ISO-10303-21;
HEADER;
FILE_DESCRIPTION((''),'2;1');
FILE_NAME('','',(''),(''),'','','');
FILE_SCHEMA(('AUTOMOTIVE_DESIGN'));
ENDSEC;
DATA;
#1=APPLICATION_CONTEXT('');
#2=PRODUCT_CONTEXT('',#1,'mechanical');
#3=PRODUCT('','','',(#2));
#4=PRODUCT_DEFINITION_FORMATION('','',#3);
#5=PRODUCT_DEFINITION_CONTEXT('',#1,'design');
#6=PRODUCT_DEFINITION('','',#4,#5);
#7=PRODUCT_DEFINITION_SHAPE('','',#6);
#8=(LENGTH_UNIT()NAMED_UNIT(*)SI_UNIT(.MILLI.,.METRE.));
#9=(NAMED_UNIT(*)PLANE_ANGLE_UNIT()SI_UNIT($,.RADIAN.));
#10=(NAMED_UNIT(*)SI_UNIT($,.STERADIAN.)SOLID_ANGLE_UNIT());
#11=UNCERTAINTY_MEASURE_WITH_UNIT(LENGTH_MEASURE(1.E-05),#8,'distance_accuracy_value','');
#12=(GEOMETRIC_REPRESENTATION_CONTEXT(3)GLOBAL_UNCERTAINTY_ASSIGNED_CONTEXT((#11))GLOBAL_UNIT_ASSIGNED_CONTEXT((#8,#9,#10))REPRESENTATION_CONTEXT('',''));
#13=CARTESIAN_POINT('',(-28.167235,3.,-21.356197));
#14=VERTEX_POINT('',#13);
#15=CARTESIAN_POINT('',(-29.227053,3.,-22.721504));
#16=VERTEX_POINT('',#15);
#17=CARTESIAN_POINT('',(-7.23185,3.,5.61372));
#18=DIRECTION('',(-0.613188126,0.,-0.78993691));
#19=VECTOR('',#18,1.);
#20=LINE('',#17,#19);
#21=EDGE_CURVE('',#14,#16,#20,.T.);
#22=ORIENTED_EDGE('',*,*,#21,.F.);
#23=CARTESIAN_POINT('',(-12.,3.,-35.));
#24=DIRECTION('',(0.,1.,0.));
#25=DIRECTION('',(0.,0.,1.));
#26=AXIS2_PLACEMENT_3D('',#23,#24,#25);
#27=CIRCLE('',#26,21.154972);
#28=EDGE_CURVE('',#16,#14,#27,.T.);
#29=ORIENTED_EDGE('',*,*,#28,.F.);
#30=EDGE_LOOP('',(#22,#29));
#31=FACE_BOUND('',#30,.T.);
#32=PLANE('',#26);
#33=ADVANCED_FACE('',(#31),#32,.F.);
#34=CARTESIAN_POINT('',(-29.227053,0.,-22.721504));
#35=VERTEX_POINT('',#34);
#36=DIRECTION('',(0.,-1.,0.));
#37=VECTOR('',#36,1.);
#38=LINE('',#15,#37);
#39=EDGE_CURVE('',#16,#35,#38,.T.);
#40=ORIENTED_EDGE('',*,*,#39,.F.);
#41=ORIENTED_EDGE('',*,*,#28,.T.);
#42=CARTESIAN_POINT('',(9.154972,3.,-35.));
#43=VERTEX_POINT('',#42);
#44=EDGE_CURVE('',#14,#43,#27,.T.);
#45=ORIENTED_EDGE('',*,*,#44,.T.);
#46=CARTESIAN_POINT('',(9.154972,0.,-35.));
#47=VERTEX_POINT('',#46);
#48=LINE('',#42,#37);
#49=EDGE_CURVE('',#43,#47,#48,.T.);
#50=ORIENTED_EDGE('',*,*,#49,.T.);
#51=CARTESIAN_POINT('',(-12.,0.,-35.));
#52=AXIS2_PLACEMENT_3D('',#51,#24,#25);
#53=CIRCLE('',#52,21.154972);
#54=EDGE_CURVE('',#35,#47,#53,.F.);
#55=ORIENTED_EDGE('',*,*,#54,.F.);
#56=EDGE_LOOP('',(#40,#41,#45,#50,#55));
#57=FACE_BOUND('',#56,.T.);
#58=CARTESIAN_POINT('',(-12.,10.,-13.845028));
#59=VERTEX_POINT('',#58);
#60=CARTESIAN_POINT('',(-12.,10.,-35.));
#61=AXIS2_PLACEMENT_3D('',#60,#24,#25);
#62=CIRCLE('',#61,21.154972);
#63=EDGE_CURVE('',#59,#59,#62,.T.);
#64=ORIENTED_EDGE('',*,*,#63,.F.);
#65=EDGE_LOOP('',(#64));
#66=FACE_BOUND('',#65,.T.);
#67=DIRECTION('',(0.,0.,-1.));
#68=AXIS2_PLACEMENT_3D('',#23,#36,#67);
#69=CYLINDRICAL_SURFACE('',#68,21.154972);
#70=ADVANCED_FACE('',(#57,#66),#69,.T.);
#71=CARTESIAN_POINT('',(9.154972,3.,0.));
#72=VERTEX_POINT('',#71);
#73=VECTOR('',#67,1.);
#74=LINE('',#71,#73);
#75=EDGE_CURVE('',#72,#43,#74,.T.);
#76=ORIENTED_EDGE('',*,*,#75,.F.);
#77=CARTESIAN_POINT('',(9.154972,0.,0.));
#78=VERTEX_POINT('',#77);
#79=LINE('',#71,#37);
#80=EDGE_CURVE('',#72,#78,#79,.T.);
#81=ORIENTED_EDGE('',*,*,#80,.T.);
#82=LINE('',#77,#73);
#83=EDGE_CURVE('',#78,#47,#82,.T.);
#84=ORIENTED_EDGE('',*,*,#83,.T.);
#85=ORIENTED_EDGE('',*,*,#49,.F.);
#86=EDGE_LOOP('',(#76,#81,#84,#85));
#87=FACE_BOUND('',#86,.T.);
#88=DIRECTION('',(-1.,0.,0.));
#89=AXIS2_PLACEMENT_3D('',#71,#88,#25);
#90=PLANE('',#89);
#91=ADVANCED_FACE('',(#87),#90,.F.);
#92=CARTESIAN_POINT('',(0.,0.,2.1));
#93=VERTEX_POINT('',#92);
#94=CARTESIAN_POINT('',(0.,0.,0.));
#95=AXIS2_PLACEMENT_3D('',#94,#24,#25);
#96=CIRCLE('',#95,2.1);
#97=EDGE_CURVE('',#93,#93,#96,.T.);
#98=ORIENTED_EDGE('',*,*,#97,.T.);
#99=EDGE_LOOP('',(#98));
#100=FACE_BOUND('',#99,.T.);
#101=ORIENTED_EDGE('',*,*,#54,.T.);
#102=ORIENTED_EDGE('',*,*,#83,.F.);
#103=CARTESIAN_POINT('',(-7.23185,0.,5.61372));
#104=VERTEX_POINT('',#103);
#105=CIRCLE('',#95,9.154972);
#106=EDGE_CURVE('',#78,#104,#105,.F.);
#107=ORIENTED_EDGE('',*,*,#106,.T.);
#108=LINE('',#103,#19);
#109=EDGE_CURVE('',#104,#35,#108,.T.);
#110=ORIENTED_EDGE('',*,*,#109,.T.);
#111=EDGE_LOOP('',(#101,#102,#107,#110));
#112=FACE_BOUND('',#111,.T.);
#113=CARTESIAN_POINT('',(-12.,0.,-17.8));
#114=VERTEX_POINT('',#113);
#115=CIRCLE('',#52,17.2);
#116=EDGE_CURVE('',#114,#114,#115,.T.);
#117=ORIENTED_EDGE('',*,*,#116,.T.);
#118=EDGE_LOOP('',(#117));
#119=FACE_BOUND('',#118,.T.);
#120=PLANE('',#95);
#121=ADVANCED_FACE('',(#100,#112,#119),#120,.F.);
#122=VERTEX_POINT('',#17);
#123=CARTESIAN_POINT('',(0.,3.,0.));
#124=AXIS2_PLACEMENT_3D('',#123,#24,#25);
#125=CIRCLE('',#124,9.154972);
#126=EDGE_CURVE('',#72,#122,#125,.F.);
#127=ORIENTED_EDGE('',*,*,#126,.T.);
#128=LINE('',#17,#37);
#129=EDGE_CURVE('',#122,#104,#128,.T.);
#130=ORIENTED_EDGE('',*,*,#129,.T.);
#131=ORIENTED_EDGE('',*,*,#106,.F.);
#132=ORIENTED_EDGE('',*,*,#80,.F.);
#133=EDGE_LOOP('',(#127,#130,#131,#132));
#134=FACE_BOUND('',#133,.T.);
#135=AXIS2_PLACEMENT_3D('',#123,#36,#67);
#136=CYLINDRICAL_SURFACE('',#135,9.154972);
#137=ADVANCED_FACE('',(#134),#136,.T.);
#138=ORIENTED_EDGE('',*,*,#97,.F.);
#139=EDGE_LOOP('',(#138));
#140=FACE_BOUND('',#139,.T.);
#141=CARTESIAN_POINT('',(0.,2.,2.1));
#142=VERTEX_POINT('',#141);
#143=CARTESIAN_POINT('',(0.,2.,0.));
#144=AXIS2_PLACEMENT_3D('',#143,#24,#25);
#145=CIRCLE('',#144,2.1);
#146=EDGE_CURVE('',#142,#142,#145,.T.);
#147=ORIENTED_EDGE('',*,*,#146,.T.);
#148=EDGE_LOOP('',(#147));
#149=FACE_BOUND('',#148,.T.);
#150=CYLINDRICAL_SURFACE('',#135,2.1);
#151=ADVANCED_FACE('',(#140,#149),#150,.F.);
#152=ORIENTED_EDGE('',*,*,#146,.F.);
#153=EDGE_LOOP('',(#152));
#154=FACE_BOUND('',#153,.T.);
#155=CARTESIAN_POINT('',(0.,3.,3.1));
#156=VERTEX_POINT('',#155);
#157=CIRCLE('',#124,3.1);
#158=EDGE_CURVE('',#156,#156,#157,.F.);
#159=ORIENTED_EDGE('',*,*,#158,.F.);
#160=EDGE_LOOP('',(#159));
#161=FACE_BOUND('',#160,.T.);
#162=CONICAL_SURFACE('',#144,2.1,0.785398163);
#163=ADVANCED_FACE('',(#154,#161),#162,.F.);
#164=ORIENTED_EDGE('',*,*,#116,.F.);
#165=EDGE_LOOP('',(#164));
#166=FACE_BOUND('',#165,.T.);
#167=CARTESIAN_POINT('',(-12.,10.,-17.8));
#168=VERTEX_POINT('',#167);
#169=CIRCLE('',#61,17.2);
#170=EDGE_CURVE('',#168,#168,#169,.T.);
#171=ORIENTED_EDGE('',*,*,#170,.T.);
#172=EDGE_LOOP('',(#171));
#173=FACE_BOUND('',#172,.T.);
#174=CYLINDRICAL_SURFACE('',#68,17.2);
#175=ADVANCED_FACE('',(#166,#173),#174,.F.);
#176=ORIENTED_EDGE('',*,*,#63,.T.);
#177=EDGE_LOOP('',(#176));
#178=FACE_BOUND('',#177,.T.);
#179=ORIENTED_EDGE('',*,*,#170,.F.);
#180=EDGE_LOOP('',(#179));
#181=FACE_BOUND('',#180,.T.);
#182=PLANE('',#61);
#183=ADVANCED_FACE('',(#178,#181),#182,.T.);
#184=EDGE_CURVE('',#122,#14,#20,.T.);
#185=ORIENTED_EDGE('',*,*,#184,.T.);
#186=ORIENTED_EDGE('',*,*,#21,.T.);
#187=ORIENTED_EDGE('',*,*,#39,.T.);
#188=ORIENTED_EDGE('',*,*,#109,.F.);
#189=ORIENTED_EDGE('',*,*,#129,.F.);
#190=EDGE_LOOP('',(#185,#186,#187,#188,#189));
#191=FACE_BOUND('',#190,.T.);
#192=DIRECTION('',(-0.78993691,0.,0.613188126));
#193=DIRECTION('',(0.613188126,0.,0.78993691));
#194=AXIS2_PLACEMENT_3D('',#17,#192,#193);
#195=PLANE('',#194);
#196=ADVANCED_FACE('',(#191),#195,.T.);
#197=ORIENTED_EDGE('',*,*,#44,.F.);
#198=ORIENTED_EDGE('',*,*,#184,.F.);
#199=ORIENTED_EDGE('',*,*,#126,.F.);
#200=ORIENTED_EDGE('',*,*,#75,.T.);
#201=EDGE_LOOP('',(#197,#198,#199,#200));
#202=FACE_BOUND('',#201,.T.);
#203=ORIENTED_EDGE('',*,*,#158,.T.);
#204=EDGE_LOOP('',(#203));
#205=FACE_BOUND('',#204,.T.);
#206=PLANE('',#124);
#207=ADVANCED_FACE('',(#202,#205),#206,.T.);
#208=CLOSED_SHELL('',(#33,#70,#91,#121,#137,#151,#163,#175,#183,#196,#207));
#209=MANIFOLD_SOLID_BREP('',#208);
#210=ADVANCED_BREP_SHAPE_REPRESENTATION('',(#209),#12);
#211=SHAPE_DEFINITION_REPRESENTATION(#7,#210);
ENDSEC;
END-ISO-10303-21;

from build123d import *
from build123d.topology import SkipClean

# Parameters (mm, degrees)
SKETCH1_R           = 17.2
SKETCH1_R_2         = 2.1
BOSS_EXTRUDE1_DEPTH = 3
CHAMFER1_SIZE       = 1
SKETCH2_R           = 21.154971589
SKETCH2_R_2         = 17.2
BOSS_EXTRUDE2_DEPTH = 7


with BuildPart() as part:
    # Sketch1 → Boss-Extrude1 (new body)
    with BuildSketch(Plane(origin=(0, 0, 0), x_dir=(1, 0, 0), z_dir=(0, 1, 0))):
        with BuildLine():
            ThreePointArc((-29.22705293, 22.721503746), (-18.44573532, 55.149077376), (9.154971589, 35))
            Line((9.154971589, 35), (9.154971589, 0))
            ThreePointArc((9.154971589, 0), (2.966995431, -8.660856938), (-7.231849971, -5.613719871))
            Line((-7.231849971, -5.613719871), (-29.22705293, 22.721503746))
        make_face()
        with Locations(Location((-12, 35, 0), (0, 0, 270))):
            Circle(SKETCH1_R, mode=Mode.SUBTRACT)
        with Locations(Location((0, 0, 0), (0, 0, 270))):
            Circle(SKETCH1_R_2, mode=Mode.SUBTRACT)
    extrude(amount=BOSS_EXTRUDE1_DEPTH)

    # Chamfer1
    chamfer1_edges = [part.edges().sort_by_distance(p)[0] for p in [
        (0, 3, -2.1),
    ]]
    chamfer(chamfer1_edges, length=CHAMFER1_SIZE)

    # Sketch2 → Boss-Extrude2 (add)
    with SkipClean():  # the faces are left unmerged after this step: merging them gives an invalid solid
        with BuildSketch(Plane(origin=(0, 3, 0), x_dir=(1, 0, 0), z_dir=(0, 1, 0))):
            with Locations((-12, 35)):
                Circle(SKETCH2_R)
            with Locations(Location((-12, 35, 0), (0, 0, 270))):
                Circle(SKETCH2_R_2, mode=Mode.SUBTRACT)
        extrude(amount=BOSS_EXTRUDE2_DEPTH)


solid = part.part
